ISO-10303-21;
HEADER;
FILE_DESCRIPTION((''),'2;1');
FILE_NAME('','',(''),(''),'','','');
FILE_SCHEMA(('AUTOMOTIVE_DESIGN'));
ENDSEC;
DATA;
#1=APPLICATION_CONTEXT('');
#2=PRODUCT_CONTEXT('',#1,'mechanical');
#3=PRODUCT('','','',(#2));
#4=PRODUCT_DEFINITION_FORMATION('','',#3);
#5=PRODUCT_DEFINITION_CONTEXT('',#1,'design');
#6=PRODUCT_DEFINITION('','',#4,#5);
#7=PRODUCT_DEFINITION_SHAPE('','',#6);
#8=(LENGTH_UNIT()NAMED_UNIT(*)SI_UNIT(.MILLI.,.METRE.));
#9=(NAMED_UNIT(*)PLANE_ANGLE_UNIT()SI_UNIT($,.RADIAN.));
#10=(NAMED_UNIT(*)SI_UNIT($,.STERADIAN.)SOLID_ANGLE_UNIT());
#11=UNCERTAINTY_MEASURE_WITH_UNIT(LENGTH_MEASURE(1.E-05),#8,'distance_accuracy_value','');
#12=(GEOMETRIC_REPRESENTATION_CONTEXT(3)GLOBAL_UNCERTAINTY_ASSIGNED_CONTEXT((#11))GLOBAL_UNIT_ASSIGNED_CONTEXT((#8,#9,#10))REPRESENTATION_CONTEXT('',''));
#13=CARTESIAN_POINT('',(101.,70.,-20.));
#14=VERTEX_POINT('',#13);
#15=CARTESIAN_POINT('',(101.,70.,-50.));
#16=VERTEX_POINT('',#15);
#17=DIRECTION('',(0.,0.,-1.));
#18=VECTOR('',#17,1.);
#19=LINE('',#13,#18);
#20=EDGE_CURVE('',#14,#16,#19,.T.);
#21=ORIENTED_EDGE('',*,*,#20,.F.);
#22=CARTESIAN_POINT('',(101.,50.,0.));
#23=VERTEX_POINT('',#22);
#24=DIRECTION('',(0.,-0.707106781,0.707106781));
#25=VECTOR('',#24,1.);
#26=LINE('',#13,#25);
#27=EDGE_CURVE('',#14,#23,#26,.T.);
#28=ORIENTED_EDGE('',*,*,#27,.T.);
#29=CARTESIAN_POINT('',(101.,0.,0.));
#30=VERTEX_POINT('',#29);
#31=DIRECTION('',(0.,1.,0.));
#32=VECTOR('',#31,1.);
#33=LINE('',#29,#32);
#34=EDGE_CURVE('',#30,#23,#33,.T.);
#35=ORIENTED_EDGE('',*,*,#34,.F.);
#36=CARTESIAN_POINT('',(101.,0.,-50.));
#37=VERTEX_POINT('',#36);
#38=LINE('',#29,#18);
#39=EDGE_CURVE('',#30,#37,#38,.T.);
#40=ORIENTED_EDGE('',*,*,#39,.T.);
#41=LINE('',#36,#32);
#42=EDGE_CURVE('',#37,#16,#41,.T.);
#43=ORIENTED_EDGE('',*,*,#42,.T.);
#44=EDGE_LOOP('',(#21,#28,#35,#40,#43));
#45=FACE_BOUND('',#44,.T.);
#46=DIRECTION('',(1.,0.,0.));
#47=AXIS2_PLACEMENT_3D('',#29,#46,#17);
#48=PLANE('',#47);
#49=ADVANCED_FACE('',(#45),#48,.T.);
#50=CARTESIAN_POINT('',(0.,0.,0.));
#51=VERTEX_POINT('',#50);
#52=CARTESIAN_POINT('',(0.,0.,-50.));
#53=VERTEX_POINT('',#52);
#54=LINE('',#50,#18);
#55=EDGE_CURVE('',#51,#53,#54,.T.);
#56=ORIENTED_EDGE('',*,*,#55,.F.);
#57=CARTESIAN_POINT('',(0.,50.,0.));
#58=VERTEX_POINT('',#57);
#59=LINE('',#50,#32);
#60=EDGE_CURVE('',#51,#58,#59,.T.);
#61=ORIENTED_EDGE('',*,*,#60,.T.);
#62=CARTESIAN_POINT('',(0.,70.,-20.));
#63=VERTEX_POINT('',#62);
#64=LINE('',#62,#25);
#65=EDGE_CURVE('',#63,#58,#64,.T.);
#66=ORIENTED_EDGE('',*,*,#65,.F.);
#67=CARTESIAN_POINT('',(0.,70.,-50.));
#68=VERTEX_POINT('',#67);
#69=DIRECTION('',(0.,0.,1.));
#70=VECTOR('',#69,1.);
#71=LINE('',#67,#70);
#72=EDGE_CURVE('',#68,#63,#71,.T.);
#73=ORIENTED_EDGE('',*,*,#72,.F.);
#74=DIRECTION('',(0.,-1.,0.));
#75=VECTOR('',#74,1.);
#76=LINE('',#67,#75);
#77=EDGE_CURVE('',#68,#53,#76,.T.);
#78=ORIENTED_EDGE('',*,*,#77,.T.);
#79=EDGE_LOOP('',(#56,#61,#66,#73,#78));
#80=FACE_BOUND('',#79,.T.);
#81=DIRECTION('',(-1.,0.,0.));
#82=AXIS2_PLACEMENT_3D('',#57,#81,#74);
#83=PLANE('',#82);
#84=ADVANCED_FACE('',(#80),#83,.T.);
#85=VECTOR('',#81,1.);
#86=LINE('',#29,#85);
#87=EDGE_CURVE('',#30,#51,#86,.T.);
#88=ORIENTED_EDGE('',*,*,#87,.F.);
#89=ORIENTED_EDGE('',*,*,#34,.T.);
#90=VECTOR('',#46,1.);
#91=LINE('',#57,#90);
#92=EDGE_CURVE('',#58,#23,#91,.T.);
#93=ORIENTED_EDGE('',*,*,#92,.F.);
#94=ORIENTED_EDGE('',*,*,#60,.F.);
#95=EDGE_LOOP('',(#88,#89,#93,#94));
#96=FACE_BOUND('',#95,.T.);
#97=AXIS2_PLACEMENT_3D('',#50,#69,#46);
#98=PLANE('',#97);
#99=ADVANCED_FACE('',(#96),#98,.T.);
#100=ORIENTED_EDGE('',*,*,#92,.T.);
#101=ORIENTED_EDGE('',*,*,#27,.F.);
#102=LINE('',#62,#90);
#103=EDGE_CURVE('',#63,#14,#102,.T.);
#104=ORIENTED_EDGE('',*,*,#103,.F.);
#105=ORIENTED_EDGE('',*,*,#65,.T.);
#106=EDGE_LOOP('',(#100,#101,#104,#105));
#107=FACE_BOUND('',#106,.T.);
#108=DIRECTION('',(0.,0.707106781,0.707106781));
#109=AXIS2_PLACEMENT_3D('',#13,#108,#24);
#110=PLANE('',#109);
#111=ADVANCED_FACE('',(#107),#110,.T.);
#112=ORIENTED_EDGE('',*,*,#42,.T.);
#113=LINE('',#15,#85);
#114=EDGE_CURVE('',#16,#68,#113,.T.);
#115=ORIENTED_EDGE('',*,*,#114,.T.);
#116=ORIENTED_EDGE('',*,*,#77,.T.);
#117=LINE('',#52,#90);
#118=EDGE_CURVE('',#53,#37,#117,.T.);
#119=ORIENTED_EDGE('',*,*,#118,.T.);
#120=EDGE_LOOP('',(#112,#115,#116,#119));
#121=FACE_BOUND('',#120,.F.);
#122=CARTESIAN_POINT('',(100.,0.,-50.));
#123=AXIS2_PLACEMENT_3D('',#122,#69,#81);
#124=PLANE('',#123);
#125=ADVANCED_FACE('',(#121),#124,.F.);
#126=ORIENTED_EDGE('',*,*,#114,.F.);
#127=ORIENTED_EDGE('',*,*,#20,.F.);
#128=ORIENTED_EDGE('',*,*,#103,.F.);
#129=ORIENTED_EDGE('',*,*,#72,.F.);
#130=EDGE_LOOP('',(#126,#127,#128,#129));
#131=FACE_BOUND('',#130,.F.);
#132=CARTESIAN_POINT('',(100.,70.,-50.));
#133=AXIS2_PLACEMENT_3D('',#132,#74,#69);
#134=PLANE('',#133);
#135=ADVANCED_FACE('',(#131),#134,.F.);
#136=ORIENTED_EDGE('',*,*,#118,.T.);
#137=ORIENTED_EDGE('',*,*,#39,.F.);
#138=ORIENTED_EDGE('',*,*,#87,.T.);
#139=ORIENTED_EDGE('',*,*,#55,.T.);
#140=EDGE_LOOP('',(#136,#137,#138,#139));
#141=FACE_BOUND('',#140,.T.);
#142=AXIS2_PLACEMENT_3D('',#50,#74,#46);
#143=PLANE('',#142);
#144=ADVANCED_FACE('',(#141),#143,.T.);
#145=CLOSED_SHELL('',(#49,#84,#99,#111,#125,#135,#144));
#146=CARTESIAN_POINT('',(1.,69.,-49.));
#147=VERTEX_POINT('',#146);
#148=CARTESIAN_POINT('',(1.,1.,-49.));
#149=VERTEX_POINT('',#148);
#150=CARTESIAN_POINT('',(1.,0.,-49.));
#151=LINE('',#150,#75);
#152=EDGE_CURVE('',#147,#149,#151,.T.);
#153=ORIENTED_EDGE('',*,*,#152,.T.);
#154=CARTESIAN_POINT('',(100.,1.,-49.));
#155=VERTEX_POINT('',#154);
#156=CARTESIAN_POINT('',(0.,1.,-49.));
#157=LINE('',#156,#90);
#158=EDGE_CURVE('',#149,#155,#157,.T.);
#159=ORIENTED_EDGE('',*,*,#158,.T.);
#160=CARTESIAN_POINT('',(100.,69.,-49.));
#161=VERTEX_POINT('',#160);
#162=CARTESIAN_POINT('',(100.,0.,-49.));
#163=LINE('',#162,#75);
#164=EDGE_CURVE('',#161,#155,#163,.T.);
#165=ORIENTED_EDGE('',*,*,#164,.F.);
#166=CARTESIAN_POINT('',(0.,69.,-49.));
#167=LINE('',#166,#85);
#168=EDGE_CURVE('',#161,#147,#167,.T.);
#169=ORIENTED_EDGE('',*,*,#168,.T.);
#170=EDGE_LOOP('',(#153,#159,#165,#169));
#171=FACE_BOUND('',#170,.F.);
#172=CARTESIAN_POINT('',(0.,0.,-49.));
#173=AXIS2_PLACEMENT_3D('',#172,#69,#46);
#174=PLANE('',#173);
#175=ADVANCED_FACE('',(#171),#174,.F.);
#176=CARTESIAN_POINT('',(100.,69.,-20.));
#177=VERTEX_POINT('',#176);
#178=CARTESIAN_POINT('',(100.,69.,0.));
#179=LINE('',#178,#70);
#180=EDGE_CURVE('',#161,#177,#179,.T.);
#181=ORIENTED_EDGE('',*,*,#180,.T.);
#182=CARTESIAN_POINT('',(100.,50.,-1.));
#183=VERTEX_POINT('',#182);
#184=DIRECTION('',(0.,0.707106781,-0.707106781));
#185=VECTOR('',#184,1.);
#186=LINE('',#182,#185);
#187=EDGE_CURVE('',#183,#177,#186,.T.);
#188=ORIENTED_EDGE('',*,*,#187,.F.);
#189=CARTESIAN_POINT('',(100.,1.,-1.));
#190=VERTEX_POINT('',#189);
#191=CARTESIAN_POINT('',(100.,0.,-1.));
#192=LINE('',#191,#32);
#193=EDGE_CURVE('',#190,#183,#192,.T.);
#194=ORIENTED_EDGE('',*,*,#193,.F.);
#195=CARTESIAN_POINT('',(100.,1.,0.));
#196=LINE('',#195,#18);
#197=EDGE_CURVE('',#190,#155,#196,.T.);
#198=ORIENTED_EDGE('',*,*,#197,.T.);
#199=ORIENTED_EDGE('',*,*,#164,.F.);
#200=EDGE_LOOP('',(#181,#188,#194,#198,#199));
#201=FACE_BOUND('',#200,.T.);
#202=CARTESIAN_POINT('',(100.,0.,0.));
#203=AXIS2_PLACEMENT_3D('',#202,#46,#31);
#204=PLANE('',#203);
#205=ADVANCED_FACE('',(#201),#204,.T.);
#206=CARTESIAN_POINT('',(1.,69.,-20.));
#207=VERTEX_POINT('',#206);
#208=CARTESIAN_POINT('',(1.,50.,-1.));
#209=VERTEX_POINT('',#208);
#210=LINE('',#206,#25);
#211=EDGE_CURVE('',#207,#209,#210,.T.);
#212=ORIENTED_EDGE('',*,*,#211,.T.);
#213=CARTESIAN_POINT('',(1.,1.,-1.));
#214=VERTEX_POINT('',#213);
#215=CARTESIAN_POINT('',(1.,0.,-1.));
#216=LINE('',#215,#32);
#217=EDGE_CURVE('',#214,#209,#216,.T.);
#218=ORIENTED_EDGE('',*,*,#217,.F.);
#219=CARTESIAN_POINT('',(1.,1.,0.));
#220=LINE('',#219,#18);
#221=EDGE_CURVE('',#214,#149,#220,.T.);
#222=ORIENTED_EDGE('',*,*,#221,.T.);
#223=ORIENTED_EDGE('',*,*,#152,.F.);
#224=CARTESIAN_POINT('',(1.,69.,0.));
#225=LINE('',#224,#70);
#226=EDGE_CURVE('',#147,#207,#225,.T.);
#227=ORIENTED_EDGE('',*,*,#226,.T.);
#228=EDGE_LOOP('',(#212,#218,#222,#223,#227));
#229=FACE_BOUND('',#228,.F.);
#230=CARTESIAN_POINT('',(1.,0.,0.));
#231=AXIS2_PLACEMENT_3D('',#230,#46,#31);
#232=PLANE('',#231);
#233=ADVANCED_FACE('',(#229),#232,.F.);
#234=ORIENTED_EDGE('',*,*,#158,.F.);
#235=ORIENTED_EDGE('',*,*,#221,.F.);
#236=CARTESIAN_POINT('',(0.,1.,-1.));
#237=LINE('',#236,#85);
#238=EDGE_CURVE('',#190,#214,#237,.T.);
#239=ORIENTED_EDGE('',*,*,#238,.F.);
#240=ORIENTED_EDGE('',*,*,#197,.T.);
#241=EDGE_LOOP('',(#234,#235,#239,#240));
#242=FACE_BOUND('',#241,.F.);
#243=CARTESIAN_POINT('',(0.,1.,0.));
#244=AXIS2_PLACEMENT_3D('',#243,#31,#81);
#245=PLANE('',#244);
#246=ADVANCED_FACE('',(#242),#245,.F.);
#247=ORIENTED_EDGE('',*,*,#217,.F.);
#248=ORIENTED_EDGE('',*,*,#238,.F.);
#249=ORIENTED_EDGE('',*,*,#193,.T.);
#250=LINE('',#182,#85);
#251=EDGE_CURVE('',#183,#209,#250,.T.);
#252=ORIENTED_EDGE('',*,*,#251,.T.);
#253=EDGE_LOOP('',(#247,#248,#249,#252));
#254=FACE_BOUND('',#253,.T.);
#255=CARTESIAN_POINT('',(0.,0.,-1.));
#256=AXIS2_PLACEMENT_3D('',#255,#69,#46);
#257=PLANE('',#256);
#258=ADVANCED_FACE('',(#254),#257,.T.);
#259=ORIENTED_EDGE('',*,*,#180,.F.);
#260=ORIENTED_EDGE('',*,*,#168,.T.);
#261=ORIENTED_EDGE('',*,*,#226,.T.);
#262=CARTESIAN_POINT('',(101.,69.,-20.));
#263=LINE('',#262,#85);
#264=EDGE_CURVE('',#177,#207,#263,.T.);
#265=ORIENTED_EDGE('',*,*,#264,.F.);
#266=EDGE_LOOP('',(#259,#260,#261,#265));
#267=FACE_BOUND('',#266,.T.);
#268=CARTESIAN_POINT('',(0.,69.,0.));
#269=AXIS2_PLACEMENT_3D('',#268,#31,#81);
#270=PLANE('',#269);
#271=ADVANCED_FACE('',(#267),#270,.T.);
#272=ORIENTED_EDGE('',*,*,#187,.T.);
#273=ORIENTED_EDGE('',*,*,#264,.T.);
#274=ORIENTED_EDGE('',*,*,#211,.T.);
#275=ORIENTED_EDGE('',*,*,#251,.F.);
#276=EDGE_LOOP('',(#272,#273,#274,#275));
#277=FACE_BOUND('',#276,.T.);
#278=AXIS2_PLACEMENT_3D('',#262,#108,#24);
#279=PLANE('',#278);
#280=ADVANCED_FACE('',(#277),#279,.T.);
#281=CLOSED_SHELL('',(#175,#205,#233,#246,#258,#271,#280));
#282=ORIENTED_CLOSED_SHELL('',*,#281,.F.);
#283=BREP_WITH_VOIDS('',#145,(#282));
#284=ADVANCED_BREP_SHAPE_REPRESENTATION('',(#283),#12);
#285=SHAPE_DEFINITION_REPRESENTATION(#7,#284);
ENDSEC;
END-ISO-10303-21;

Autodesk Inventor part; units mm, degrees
sketch "Sketch1" plane through (0, 0, 0) normal (0, 0, 1) x (1, 0, 0)
  line L0 (0, 0) -> (100, 0)
  line L1 (100, 0) -> (100, 50)
  line L2 (100, 50) -> (0, 50)
  line L3 (0, 50) -> (0, 0)
  dimension "d0" = 100
  dimension "d1" = 50
sketch "Sketch2" plane through (0, 0, 0) normal (0, 1, 0) x (-1, 0, 0)
  line L0 (0, 0) -> (-100, 0)
  line L1 (-100, 0) -> (-100, -50)
  line L2 (-100, -50) -> (0, -50)
  line L3 (0, -50) -> (0, 0)
  dimension "d2" = 100
  dimension "d3" = 50
sketch "Sketch3" plane through (0, 0, 0) normal (1, 0, 0) x (0, 1, 0)
  line L0 (0, 0) -> (50, 0)
  line L1 (50, 0) -> (50, -50)
  line L2 (50, -50) -> (0, -50)
  line L3 (0, -50) -> (0, 0)
  line L4 (50, -50) -> (70, -50)
  line L5 (70, -50) -> (70, -20)
  line L6 (70, -20) -> (50, -20)
  line L7 (70, -20) -> (50, 0)
  line L8 (70, -20) -> (69, -20)
  line L9 (50, 0) -> (50, -1)
  line L10 (50, -1) -> (69, -20)
  dimension "d16" = 50
  dimension "d17" = 50
  dimension "d18" = 20
  dimension "d19" = 30
  dimension "d20" = 1
extrude "Extrusion1" add sketch "Sketch1" against normal blind 1
extrude "Extrusion2" add sketch "Sketch2" along normal blind 1
extrude "Extrusion3" add sketch "Sketch3" along normal blind 1
ref_plane "Work Plane1" through (100, 0, 0) normal (1, 0, 0) x (0, 1, 0)
sketch "Sketch4" plane through (100, 0, 0) normal (1, 0, 0) x (0, 1, 0)
  line L0 (0, 0) -> (0, -50)
  line L1 (70, -50) -> (70, -20) projected
  line L2 (0, -50) -> (70, -50)
  line L3 (70, -50) -> (70, -20)
  line L4 (50, 0) -> (50, -1) projected
  line L5 (50, 0) -> (50, -1)
  line L6 (50, -1) -> (69, -20)
  line L7 (69, -20) -> (70, -20)
  line L8 (0, -50) -> (50, -50)
  line L9 (1, -50) -> (70, -50) projected
  line L10 (50, -1) -> (50, -50)
  line L11 (0, 0) -> (50, 0) projected
  line L12 (0, 0) -> (50, 0)
  point P0 (-1, 0)
extrude "Extrusion4" add sketch "Sketch4" along normal blind 1
ref_plane "Work Plane2" through (0, 0, -50) normal (0, 0, 1) x (1, 0, 0)
sketch "Sketch5" plane through (0, 0, -50) normal (0, 0, 1) x (1, 0, 0)
  line L0 (101, 0) -> (101, 70) projected
  line L1 (0, 0) -> (101, 0)
  line L2 (101, 0) -> (101, 70)
  line L3 (101, 70) -> (0, 70)
  line L4 (0, 70) -> (0, 0)
  dimension "d27" = 101
  dimension "d28" = 70
sketch "Sketch6" plane through (101, 0, 0) normal (1, 0, 0) x (0, 0, -1)
  line L0 (1, 50) -> (0, 50) projected
  line L1 (20, 69) -> (1, 50) projected
  line L2 (0, 50) -> (1, 50)
  line L3 (1, 50) -> (20, 69)
  line L4 (20, 70) -> (20, 69) projected
  line L5 (20, 69) -> (20, 70)
  line L6 (20, 70) -> (0, 50)
  point P0 (0, 0)
extrude "Extrusion5" add sketch "Sketch6" against normal blind 100
extrude "Extrusion6" add sketch "Sketch5" along normal blind 1
ref_plane "Work Plane3" through (0, 70, 0) normal (0, 1, 0) x (-1, 0, 0)
sketch "Sketch7" plane through (0, 70, 0) normal (0, 1, 0) x (-1, 0, 0)
  line L0 (0, -50) -> (-101, -50) projected
  line L1 (-101, -50) -> (-101, -20) projected
  line L2 (0, -50) -> (-101, -50)
  line L3 (-101, -50) -> (-101, -20)
  line L4 (-101, -20) -> (0, -20)
  line L5 (0, -20) -> (0, -50)
  point P0 (0, 0)
extrude "Extrusion7" add sketch "Sketch7" against normal blind 1
properties part number "Design inkubator"
